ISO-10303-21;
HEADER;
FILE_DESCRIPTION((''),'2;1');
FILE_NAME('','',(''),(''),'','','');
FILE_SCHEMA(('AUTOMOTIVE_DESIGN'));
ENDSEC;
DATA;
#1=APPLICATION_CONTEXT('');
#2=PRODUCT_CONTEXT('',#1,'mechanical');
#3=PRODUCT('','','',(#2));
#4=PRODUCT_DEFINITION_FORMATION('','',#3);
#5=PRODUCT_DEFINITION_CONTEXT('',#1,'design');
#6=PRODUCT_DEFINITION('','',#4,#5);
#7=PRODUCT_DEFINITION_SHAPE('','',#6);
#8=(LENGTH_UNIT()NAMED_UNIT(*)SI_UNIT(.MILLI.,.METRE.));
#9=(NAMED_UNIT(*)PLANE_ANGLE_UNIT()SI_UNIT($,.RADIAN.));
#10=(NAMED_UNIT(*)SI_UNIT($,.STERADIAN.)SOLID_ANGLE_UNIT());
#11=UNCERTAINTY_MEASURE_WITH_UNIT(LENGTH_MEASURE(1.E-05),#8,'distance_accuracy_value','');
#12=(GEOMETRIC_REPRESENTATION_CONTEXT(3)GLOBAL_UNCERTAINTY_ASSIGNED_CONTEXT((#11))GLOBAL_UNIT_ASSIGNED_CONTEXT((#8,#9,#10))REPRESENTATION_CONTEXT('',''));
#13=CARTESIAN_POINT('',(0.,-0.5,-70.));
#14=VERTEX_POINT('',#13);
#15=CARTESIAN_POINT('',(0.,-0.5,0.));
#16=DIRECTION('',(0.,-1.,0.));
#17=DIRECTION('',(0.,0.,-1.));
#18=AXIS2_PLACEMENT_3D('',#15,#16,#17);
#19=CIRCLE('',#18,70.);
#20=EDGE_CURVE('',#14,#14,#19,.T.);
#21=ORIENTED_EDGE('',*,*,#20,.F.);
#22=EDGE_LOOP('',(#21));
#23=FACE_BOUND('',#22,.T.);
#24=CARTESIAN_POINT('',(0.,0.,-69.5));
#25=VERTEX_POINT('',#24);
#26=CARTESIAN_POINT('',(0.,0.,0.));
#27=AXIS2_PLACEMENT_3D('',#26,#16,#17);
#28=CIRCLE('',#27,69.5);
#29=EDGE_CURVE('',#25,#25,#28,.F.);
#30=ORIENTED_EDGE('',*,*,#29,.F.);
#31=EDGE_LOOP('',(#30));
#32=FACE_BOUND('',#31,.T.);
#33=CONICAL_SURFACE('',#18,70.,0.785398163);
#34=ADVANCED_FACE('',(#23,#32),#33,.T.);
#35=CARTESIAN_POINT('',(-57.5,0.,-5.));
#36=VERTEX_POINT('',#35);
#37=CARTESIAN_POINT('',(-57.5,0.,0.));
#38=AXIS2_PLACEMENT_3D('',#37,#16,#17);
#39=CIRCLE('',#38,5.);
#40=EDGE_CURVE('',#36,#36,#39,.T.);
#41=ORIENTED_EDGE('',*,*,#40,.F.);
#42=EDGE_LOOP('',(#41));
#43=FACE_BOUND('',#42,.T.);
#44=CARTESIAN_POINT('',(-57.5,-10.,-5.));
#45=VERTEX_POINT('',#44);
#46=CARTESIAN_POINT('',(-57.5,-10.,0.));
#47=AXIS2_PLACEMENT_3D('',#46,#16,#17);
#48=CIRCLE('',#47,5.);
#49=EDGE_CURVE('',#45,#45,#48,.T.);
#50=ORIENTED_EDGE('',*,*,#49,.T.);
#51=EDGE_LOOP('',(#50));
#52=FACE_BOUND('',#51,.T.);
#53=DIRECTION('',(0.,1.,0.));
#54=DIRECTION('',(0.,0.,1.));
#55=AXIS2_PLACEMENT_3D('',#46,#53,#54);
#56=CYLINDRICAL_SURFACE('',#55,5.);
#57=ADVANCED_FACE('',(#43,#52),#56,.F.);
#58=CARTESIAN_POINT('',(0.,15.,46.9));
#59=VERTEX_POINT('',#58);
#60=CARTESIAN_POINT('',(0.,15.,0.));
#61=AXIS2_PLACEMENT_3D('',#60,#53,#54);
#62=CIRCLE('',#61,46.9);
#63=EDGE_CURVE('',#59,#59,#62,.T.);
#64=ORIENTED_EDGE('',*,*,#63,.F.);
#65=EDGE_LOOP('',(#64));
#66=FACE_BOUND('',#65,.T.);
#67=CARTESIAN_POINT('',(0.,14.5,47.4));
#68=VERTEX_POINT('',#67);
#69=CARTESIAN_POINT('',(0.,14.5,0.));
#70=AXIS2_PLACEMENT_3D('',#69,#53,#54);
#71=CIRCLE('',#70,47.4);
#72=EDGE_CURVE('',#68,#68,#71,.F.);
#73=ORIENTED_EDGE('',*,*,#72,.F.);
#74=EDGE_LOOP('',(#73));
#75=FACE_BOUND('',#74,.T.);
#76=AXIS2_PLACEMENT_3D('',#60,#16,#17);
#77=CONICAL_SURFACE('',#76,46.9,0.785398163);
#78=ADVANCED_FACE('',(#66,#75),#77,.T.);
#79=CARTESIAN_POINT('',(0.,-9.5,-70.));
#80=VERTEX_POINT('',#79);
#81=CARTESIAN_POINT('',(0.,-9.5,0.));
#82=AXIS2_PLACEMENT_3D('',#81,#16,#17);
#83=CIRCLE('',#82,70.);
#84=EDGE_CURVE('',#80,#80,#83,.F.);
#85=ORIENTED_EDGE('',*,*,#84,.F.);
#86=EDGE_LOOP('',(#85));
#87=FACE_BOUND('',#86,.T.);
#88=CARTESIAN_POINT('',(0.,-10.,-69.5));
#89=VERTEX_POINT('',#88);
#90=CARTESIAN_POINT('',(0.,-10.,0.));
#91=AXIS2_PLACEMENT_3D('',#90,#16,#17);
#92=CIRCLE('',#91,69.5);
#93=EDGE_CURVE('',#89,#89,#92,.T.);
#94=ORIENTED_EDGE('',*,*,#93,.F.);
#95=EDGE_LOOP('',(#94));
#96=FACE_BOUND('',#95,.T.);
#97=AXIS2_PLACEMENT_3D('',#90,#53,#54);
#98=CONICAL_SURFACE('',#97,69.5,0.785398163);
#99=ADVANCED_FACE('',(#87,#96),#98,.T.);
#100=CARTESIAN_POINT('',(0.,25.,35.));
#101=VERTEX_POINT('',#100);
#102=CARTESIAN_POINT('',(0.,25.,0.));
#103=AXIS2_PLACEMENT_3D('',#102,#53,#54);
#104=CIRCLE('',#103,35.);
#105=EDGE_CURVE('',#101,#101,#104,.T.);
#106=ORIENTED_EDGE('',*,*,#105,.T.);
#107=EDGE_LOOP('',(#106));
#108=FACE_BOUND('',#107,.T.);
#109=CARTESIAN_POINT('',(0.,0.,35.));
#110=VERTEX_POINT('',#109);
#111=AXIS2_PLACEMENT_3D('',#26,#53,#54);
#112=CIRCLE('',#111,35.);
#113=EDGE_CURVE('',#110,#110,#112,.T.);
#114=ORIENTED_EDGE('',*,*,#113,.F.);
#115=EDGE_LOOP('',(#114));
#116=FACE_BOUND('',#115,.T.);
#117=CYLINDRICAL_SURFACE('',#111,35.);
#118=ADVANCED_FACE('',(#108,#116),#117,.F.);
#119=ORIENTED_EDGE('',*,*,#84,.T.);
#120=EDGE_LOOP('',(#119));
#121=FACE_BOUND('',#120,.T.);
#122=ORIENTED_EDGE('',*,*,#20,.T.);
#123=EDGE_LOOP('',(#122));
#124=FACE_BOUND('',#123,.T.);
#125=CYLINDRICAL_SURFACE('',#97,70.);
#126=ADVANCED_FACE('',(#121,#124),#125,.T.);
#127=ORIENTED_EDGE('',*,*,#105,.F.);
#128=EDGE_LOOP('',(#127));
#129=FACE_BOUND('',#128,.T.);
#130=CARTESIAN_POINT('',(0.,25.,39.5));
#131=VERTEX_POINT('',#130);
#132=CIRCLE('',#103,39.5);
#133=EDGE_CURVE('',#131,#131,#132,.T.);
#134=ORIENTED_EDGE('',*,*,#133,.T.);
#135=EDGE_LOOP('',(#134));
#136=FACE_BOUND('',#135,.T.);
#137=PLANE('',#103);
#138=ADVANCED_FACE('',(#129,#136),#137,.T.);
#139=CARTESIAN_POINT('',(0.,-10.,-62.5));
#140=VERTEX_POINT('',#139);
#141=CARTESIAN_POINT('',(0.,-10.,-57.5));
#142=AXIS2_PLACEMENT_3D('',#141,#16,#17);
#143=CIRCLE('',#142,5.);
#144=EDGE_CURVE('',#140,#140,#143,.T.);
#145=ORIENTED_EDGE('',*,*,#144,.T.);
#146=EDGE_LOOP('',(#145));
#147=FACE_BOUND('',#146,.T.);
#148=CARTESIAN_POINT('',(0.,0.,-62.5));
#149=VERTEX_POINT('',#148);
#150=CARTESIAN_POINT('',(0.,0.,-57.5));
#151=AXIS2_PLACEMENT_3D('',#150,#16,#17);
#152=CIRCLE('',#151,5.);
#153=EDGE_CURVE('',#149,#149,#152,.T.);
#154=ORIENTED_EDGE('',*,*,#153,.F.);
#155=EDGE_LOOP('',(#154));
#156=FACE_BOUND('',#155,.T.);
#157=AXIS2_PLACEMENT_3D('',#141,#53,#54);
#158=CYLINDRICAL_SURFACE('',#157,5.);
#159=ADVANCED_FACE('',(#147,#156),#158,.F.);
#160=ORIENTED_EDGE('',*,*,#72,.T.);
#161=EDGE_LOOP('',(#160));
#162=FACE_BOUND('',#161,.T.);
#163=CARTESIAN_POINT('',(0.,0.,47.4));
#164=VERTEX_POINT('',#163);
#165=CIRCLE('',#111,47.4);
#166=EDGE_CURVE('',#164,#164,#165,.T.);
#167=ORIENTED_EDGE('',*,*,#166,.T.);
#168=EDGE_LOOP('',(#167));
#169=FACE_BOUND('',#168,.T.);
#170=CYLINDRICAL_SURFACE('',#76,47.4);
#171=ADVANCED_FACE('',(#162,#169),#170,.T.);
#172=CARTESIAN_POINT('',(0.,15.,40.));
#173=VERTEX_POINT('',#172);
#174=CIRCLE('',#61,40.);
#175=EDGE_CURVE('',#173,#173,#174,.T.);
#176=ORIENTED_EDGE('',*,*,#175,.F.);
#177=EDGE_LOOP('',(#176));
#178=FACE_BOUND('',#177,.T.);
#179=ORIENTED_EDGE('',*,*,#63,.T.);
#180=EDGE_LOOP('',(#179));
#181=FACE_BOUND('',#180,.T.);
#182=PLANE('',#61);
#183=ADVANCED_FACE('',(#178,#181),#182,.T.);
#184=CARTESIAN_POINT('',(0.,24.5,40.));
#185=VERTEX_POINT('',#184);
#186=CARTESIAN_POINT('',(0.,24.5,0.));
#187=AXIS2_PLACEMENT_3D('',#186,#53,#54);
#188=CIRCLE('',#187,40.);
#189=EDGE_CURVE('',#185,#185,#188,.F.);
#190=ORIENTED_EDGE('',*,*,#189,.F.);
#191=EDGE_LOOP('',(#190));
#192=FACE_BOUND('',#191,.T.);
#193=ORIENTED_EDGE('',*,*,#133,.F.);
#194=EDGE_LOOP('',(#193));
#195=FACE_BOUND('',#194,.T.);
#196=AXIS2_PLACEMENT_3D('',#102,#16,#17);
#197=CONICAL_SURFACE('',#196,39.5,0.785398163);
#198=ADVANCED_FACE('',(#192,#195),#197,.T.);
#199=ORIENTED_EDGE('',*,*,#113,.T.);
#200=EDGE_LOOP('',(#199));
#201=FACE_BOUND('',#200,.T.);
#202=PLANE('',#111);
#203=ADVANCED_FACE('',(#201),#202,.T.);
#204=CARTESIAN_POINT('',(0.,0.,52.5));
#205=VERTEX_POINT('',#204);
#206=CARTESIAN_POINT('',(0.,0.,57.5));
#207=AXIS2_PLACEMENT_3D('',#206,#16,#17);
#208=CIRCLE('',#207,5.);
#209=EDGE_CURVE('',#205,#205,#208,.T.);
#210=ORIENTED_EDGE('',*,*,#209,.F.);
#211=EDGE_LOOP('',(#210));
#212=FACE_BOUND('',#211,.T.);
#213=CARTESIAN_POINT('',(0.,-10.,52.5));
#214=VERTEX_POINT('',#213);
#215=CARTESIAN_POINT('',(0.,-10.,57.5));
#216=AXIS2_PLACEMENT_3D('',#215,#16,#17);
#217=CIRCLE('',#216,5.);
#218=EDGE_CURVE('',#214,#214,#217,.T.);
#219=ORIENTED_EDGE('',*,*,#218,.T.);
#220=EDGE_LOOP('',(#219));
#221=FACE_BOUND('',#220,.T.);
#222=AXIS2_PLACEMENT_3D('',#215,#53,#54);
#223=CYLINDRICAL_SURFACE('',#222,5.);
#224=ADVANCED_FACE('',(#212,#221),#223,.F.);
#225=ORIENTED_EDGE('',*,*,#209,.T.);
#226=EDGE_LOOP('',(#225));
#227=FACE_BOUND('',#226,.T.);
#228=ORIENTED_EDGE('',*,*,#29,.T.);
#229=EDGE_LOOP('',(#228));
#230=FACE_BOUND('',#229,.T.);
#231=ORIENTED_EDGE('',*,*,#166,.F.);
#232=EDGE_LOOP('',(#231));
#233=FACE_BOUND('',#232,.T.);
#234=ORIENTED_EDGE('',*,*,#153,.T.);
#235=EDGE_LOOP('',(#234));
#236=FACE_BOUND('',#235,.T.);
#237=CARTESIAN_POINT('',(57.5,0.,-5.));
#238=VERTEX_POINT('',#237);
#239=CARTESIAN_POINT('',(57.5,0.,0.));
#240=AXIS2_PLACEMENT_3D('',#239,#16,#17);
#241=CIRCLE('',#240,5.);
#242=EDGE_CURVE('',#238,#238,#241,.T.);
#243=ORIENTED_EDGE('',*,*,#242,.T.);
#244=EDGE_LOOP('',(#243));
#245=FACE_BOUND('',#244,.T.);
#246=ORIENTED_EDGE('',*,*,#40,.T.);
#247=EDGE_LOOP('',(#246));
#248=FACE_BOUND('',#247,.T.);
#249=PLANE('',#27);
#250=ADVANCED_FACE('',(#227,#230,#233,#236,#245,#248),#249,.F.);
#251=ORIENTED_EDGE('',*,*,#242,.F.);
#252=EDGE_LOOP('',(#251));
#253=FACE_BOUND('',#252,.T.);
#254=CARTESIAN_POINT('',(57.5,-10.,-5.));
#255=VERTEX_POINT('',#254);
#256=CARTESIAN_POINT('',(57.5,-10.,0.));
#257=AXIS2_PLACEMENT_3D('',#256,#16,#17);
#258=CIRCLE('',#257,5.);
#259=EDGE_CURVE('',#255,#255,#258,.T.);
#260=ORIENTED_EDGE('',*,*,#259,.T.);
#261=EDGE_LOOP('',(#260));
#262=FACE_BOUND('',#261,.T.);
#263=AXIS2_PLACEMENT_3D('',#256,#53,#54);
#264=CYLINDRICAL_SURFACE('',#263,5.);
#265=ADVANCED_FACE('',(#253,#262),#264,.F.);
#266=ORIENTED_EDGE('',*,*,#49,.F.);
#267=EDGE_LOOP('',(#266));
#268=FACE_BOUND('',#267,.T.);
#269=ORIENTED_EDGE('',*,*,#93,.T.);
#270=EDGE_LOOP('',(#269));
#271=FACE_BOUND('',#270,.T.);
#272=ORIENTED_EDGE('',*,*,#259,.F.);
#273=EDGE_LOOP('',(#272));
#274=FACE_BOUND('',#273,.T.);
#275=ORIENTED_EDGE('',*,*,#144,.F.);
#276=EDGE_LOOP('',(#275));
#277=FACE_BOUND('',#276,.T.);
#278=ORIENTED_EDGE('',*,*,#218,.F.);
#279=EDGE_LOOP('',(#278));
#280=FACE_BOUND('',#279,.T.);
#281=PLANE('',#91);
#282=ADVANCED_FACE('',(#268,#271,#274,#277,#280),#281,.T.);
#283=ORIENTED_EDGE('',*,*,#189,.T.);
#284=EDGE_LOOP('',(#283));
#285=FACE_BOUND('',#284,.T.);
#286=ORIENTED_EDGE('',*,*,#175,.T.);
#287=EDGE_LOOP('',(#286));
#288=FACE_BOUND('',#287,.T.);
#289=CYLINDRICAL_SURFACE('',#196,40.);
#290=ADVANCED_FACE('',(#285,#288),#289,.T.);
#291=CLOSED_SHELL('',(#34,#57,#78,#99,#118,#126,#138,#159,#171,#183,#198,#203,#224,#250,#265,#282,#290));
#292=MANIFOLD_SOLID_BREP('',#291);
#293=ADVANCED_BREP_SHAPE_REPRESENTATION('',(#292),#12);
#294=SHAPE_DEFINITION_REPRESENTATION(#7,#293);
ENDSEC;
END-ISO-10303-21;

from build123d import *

# Parameters (mm, degrees)
SKETCH_1_R          = 47.4
EXTRUDE_1_DEPTH     = 15
SKETCH_2_R          = 40
EXTRUDE_2_DEPTH     = 10
SKETCH_3_R          = 70
SKETCH_3_R_2        = 5
EXTRUDE_3_DEPTH     = 10
SKETCH_4_R          = 35
CUT_EXTRUDE_1_DEPTH = 25
CHAMFER_1_SIZE      = 0.5


with BuildPart() as part:
    # 草图1 → 凸台-拉伸1 (new body)
    with BuildSketch(Plane(origin=(0, 0, 0), x_dir=(1, 0, 0), z_dir=(0, 1, 0))):
        with Locations(Location((0, 0, 0), (0, 0, 270))):
            Circle(SKETCH_1_R)
    extrude(amount=EXTRUDE_1_DEPTH)

    # 草图2 → 凸台-拉伸2 (add)
    with BuildSketch(Plane(origin=(0, 15, 0), x_dir=(1, 0, 0), z_dir=(0, 1, 0))):
        with Locations(Location((0, 0, 0), (0, 0, 270))):
            Circle(SKETCH_2_R)
    extrude(amount=EXTRUDE_2_DEPTH)

    # 草图3 → 凸台-拉伸3 (add)
    with BuildSketch(Plane.XZ):
        with Locations(Location((0, 0, 0), (0, 0, 270))):
            Circle(SKETCH_3_R)
        with Locations(Location((0, 57.5, 0), (0, 0, 270))):
            Circle(SKETCH_3_R_2, mode=Mode.SUBTRACT)
        with Locations(Location((57.5, 0, 0), (0, 0, 270))):
            Circle(SKETCH_3_R_2, mode=Mode.SUBTRACT)
        with Locations(Location((0, -57.5, 0), (0, 0, 270))):
            Circle(SKETCH_3_R_2, mode=Mode.SUBTRACT)
        with Locations(Location((-57.5, 0, 0), (0, 0, 270))):
            Circle(SKETCH_3_R_2, mode=Mode.SUBTRACT)
    extrude(amount=EXTRUDE_3_DEPTH)

    # 草图4 → 切除-拉伸1 (cut)
    with BuildSketch(Plane(origin=(0, 25, 0), x_dir=(1, 0, 0), z_dir=(0, 1, 0))):
        with Locations(Location((0, 0, 0), (0, 0, 270))):
            Circle(SKETCH_4_R)
    extrude(amount=-CUT_EXTRUDE_1_DEPTH, mode=Mode.SUBTRACT)

    # 倒角1
    chamfer_1_edges = [part.edges().sort_by_distance(p)[0] for p in [
        (0, 0, 70),
        (0, 15, -47.4),
        (0, 25, -40),
        (0, -10, 70),
    ]]
    chamfer(chamfer_1_edges, length=CHAMFER_1_SIZE)


solid = part.part
